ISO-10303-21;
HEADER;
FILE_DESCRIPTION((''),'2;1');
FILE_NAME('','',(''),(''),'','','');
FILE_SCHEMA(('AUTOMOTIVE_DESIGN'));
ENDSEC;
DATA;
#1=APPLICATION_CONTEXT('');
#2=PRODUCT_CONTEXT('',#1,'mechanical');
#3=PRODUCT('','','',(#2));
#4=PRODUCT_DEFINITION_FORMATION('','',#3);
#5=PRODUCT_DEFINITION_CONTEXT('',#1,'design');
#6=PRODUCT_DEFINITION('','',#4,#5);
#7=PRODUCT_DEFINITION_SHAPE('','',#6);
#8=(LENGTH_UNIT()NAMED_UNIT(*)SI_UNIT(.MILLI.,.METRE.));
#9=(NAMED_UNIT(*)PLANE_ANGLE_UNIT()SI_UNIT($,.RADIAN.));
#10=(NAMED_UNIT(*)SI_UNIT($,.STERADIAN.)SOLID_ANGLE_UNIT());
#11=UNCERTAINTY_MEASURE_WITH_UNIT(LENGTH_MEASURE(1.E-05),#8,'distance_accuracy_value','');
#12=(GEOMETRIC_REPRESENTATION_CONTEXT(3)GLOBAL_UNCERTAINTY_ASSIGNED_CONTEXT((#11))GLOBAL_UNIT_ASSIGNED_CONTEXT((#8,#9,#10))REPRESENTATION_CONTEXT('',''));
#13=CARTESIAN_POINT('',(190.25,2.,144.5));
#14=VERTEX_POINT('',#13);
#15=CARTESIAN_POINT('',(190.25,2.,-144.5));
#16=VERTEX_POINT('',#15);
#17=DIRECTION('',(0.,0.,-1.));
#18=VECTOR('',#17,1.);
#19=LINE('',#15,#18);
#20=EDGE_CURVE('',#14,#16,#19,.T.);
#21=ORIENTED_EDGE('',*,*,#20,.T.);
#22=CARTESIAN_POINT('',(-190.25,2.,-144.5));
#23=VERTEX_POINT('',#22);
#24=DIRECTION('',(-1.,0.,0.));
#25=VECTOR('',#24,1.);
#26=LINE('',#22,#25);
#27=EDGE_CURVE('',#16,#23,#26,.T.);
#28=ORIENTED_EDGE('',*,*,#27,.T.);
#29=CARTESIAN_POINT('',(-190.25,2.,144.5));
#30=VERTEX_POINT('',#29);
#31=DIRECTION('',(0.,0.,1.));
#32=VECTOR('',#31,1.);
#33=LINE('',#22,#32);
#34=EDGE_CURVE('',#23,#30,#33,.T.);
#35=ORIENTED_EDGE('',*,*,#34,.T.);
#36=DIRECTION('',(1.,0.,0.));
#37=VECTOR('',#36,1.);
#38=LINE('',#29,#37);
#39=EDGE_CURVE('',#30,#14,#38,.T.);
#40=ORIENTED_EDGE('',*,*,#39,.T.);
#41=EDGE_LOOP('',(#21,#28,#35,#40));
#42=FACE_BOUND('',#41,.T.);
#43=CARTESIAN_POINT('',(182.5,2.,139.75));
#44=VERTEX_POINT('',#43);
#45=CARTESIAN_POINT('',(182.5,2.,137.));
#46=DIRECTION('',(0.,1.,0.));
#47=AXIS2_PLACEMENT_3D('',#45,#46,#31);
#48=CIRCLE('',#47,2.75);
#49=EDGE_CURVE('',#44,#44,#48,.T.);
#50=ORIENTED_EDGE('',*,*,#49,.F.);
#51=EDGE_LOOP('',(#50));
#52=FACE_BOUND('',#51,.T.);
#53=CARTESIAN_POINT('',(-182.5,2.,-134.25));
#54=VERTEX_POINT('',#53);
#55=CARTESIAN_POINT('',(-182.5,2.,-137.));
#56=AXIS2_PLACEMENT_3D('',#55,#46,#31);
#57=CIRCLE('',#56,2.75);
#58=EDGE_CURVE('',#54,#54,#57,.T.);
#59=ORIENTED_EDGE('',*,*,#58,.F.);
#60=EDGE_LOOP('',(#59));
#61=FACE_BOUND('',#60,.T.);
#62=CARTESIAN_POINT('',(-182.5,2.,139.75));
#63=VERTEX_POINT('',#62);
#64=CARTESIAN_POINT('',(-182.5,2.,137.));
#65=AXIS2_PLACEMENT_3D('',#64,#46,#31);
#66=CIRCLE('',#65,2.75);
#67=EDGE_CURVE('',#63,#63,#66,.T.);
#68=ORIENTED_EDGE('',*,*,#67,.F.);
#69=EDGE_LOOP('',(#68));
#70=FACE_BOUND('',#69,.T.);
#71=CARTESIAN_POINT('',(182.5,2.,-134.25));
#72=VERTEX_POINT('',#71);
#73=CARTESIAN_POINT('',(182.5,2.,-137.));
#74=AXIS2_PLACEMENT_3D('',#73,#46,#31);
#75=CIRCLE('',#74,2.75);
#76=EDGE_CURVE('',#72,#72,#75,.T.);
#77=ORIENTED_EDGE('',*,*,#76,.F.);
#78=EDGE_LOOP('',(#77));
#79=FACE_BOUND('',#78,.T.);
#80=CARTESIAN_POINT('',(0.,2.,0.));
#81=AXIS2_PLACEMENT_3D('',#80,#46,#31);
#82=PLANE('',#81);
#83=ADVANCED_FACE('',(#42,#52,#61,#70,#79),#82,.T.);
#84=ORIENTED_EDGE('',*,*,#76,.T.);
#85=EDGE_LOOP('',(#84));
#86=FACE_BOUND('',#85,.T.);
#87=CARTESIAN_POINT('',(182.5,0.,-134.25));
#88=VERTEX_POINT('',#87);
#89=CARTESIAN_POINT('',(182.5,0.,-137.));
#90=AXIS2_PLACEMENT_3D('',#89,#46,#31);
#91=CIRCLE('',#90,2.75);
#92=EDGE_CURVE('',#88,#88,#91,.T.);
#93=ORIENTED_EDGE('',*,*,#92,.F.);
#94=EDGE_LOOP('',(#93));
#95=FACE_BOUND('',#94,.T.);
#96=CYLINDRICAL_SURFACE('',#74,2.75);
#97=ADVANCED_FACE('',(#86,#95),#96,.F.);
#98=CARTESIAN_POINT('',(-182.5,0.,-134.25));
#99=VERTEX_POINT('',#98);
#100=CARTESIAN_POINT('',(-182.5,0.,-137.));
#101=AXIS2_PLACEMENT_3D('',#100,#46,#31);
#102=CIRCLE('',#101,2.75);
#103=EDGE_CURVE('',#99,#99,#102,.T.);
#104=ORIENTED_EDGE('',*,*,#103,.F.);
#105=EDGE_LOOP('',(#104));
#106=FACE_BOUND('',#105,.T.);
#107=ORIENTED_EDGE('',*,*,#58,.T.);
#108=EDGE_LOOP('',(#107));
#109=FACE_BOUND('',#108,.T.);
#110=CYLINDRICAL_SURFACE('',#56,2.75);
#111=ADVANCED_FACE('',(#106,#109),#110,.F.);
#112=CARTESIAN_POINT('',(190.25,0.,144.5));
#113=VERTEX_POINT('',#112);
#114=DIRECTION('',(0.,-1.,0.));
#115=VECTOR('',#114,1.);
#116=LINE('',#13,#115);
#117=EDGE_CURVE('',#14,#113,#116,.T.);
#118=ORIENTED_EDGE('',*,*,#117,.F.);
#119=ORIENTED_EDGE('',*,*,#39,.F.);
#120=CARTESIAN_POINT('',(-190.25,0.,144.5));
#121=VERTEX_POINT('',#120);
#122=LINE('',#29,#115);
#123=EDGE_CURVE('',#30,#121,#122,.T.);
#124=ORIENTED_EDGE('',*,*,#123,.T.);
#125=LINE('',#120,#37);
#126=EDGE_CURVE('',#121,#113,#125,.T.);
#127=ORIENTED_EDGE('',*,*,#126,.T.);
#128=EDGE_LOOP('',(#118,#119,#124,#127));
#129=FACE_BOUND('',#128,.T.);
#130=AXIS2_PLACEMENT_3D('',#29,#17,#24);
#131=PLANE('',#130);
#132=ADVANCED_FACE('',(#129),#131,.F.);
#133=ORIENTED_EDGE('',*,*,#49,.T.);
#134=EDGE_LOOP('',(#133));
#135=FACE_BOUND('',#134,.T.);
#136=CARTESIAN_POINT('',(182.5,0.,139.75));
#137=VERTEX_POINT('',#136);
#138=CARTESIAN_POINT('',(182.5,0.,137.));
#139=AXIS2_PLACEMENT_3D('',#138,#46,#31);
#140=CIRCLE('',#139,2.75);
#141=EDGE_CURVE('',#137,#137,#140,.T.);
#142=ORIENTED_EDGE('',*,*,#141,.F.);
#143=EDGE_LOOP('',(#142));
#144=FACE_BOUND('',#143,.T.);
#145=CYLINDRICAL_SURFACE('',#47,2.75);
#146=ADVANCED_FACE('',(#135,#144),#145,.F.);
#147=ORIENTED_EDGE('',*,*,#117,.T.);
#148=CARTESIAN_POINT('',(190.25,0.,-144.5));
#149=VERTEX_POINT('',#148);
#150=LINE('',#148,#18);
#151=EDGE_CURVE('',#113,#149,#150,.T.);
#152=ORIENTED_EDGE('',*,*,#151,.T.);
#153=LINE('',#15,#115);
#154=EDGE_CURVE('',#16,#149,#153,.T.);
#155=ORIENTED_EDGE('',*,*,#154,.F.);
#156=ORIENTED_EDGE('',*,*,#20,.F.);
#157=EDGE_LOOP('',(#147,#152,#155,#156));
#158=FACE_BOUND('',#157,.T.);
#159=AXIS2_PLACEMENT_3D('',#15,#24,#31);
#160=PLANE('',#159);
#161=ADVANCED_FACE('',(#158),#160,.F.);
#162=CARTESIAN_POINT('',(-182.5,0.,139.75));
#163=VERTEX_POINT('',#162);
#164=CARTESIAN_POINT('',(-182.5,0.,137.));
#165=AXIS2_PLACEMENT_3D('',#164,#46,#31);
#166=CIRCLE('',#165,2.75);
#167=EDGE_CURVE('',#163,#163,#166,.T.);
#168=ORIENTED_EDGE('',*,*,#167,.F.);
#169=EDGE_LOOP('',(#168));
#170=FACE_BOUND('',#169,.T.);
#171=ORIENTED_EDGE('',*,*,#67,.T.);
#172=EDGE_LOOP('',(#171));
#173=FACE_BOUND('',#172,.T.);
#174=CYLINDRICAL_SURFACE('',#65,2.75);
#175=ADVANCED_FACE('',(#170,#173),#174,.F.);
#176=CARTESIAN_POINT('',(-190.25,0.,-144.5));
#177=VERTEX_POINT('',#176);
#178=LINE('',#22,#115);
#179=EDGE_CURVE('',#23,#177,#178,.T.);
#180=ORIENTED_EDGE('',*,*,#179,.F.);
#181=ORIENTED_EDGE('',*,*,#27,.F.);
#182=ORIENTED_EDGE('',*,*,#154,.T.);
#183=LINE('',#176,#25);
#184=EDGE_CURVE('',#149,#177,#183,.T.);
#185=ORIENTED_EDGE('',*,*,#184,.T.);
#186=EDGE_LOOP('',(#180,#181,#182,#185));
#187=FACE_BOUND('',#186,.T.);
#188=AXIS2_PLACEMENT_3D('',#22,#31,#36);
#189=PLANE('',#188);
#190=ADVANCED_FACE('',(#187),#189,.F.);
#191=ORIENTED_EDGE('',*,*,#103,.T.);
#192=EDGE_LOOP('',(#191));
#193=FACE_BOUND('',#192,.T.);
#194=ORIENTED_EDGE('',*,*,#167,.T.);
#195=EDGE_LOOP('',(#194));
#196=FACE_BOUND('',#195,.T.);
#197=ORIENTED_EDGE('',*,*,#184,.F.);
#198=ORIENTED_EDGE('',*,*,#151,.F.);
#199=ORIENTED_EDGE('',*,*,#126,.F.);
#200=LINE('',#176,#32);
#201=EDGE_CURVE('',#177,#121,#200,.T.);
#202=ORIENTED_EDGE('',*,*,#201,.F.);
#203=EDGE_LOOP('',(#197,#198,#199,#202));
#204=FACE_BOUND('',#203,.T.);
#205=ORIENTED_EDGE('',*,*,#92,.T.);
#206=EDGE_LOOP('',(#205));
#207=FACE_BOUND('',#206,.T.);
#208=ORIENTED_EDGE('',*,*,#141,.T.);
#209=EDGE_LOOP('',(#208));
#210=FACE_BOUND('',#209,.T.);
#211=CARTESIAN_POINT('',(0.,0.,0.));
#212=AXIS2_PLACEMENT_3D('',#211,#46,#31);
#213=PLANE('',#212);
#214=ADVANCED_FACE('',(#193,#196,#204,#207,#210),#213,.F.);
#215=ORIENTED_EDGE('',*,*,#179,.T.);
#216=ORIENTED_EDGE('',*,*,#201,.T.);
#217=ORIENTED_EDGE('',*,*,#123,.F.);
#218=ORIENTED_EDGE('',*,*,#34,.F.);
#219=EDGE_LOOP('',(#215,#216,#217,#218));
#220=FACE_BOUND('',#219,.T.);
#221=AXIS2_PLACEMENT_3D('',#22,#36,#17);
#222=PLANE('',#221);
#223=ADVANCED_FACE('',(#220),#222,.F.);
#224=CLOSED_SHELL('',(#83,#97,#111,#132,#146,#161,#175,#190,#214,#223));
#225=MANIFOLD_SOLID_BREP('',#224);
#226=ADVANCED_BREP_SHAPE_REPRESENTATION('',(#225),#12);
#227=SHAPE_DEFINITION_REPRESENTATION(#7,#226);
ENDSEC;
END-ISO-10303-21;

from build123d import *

# Parameters (mm, degrees)
SKETCH9_W            = 380.5
SKETCH9_H            = 289
BOSS_EXTRUDE2_DEPTH  = 2
M5_CLEARANCE_HOLE1_D = 5.5
MIRROR2_COPY_1_D     = 5.5


with BuildPart() as part:
    # Sketch9 → Boss-Extrude2 (new body)
    with BuildSketch(Plane(origin=(0, 0, 0), x_dir=(1, 0, 0), z_dir=(0, 1, 0))):
        Rectangle(SKETCH9_W, SKETCH9_H)
    extrude(amount=BOSS_EXTRUDE2_DEPTH)

    # M5 Clearance Hole1 (through all)
    with Locations(Plane(origin=(0, 2, 0), x_dir=(1, 0, 0), z_dir=(0, 1, 0))):
        with Locations((182.5, 137)):
            m5_clearance_hole1 = Hole(M5_CLEARANCE_HOLE1_D / 2)

    # Mirror1: M5 Clearance Hole1 across plane
    add(m5_clearance_hole1.mirror(Plane.XY), mode=Mode.SUBTRACT)

    # Mirror2: M5 Clearance Hole1 across plane
    add(m5_clearance_hole1.mirror(Plane(origin=(0, 0, 0), x_dir=(0, 0, 1), z_dir=(1, 0, 0))), mode=Mode.SUBTRACT)

    # Mirror2 copy 1 (through all)
    with Locations(Plane(origin=(0, 2, 0), x_dir=(-1, 0, 0), z_dir=(0, 1, 0))):
        with Locations((182.5, 137)):
            Hole(MIRROR2_COPY_1_D / 2)


solid = part.part
